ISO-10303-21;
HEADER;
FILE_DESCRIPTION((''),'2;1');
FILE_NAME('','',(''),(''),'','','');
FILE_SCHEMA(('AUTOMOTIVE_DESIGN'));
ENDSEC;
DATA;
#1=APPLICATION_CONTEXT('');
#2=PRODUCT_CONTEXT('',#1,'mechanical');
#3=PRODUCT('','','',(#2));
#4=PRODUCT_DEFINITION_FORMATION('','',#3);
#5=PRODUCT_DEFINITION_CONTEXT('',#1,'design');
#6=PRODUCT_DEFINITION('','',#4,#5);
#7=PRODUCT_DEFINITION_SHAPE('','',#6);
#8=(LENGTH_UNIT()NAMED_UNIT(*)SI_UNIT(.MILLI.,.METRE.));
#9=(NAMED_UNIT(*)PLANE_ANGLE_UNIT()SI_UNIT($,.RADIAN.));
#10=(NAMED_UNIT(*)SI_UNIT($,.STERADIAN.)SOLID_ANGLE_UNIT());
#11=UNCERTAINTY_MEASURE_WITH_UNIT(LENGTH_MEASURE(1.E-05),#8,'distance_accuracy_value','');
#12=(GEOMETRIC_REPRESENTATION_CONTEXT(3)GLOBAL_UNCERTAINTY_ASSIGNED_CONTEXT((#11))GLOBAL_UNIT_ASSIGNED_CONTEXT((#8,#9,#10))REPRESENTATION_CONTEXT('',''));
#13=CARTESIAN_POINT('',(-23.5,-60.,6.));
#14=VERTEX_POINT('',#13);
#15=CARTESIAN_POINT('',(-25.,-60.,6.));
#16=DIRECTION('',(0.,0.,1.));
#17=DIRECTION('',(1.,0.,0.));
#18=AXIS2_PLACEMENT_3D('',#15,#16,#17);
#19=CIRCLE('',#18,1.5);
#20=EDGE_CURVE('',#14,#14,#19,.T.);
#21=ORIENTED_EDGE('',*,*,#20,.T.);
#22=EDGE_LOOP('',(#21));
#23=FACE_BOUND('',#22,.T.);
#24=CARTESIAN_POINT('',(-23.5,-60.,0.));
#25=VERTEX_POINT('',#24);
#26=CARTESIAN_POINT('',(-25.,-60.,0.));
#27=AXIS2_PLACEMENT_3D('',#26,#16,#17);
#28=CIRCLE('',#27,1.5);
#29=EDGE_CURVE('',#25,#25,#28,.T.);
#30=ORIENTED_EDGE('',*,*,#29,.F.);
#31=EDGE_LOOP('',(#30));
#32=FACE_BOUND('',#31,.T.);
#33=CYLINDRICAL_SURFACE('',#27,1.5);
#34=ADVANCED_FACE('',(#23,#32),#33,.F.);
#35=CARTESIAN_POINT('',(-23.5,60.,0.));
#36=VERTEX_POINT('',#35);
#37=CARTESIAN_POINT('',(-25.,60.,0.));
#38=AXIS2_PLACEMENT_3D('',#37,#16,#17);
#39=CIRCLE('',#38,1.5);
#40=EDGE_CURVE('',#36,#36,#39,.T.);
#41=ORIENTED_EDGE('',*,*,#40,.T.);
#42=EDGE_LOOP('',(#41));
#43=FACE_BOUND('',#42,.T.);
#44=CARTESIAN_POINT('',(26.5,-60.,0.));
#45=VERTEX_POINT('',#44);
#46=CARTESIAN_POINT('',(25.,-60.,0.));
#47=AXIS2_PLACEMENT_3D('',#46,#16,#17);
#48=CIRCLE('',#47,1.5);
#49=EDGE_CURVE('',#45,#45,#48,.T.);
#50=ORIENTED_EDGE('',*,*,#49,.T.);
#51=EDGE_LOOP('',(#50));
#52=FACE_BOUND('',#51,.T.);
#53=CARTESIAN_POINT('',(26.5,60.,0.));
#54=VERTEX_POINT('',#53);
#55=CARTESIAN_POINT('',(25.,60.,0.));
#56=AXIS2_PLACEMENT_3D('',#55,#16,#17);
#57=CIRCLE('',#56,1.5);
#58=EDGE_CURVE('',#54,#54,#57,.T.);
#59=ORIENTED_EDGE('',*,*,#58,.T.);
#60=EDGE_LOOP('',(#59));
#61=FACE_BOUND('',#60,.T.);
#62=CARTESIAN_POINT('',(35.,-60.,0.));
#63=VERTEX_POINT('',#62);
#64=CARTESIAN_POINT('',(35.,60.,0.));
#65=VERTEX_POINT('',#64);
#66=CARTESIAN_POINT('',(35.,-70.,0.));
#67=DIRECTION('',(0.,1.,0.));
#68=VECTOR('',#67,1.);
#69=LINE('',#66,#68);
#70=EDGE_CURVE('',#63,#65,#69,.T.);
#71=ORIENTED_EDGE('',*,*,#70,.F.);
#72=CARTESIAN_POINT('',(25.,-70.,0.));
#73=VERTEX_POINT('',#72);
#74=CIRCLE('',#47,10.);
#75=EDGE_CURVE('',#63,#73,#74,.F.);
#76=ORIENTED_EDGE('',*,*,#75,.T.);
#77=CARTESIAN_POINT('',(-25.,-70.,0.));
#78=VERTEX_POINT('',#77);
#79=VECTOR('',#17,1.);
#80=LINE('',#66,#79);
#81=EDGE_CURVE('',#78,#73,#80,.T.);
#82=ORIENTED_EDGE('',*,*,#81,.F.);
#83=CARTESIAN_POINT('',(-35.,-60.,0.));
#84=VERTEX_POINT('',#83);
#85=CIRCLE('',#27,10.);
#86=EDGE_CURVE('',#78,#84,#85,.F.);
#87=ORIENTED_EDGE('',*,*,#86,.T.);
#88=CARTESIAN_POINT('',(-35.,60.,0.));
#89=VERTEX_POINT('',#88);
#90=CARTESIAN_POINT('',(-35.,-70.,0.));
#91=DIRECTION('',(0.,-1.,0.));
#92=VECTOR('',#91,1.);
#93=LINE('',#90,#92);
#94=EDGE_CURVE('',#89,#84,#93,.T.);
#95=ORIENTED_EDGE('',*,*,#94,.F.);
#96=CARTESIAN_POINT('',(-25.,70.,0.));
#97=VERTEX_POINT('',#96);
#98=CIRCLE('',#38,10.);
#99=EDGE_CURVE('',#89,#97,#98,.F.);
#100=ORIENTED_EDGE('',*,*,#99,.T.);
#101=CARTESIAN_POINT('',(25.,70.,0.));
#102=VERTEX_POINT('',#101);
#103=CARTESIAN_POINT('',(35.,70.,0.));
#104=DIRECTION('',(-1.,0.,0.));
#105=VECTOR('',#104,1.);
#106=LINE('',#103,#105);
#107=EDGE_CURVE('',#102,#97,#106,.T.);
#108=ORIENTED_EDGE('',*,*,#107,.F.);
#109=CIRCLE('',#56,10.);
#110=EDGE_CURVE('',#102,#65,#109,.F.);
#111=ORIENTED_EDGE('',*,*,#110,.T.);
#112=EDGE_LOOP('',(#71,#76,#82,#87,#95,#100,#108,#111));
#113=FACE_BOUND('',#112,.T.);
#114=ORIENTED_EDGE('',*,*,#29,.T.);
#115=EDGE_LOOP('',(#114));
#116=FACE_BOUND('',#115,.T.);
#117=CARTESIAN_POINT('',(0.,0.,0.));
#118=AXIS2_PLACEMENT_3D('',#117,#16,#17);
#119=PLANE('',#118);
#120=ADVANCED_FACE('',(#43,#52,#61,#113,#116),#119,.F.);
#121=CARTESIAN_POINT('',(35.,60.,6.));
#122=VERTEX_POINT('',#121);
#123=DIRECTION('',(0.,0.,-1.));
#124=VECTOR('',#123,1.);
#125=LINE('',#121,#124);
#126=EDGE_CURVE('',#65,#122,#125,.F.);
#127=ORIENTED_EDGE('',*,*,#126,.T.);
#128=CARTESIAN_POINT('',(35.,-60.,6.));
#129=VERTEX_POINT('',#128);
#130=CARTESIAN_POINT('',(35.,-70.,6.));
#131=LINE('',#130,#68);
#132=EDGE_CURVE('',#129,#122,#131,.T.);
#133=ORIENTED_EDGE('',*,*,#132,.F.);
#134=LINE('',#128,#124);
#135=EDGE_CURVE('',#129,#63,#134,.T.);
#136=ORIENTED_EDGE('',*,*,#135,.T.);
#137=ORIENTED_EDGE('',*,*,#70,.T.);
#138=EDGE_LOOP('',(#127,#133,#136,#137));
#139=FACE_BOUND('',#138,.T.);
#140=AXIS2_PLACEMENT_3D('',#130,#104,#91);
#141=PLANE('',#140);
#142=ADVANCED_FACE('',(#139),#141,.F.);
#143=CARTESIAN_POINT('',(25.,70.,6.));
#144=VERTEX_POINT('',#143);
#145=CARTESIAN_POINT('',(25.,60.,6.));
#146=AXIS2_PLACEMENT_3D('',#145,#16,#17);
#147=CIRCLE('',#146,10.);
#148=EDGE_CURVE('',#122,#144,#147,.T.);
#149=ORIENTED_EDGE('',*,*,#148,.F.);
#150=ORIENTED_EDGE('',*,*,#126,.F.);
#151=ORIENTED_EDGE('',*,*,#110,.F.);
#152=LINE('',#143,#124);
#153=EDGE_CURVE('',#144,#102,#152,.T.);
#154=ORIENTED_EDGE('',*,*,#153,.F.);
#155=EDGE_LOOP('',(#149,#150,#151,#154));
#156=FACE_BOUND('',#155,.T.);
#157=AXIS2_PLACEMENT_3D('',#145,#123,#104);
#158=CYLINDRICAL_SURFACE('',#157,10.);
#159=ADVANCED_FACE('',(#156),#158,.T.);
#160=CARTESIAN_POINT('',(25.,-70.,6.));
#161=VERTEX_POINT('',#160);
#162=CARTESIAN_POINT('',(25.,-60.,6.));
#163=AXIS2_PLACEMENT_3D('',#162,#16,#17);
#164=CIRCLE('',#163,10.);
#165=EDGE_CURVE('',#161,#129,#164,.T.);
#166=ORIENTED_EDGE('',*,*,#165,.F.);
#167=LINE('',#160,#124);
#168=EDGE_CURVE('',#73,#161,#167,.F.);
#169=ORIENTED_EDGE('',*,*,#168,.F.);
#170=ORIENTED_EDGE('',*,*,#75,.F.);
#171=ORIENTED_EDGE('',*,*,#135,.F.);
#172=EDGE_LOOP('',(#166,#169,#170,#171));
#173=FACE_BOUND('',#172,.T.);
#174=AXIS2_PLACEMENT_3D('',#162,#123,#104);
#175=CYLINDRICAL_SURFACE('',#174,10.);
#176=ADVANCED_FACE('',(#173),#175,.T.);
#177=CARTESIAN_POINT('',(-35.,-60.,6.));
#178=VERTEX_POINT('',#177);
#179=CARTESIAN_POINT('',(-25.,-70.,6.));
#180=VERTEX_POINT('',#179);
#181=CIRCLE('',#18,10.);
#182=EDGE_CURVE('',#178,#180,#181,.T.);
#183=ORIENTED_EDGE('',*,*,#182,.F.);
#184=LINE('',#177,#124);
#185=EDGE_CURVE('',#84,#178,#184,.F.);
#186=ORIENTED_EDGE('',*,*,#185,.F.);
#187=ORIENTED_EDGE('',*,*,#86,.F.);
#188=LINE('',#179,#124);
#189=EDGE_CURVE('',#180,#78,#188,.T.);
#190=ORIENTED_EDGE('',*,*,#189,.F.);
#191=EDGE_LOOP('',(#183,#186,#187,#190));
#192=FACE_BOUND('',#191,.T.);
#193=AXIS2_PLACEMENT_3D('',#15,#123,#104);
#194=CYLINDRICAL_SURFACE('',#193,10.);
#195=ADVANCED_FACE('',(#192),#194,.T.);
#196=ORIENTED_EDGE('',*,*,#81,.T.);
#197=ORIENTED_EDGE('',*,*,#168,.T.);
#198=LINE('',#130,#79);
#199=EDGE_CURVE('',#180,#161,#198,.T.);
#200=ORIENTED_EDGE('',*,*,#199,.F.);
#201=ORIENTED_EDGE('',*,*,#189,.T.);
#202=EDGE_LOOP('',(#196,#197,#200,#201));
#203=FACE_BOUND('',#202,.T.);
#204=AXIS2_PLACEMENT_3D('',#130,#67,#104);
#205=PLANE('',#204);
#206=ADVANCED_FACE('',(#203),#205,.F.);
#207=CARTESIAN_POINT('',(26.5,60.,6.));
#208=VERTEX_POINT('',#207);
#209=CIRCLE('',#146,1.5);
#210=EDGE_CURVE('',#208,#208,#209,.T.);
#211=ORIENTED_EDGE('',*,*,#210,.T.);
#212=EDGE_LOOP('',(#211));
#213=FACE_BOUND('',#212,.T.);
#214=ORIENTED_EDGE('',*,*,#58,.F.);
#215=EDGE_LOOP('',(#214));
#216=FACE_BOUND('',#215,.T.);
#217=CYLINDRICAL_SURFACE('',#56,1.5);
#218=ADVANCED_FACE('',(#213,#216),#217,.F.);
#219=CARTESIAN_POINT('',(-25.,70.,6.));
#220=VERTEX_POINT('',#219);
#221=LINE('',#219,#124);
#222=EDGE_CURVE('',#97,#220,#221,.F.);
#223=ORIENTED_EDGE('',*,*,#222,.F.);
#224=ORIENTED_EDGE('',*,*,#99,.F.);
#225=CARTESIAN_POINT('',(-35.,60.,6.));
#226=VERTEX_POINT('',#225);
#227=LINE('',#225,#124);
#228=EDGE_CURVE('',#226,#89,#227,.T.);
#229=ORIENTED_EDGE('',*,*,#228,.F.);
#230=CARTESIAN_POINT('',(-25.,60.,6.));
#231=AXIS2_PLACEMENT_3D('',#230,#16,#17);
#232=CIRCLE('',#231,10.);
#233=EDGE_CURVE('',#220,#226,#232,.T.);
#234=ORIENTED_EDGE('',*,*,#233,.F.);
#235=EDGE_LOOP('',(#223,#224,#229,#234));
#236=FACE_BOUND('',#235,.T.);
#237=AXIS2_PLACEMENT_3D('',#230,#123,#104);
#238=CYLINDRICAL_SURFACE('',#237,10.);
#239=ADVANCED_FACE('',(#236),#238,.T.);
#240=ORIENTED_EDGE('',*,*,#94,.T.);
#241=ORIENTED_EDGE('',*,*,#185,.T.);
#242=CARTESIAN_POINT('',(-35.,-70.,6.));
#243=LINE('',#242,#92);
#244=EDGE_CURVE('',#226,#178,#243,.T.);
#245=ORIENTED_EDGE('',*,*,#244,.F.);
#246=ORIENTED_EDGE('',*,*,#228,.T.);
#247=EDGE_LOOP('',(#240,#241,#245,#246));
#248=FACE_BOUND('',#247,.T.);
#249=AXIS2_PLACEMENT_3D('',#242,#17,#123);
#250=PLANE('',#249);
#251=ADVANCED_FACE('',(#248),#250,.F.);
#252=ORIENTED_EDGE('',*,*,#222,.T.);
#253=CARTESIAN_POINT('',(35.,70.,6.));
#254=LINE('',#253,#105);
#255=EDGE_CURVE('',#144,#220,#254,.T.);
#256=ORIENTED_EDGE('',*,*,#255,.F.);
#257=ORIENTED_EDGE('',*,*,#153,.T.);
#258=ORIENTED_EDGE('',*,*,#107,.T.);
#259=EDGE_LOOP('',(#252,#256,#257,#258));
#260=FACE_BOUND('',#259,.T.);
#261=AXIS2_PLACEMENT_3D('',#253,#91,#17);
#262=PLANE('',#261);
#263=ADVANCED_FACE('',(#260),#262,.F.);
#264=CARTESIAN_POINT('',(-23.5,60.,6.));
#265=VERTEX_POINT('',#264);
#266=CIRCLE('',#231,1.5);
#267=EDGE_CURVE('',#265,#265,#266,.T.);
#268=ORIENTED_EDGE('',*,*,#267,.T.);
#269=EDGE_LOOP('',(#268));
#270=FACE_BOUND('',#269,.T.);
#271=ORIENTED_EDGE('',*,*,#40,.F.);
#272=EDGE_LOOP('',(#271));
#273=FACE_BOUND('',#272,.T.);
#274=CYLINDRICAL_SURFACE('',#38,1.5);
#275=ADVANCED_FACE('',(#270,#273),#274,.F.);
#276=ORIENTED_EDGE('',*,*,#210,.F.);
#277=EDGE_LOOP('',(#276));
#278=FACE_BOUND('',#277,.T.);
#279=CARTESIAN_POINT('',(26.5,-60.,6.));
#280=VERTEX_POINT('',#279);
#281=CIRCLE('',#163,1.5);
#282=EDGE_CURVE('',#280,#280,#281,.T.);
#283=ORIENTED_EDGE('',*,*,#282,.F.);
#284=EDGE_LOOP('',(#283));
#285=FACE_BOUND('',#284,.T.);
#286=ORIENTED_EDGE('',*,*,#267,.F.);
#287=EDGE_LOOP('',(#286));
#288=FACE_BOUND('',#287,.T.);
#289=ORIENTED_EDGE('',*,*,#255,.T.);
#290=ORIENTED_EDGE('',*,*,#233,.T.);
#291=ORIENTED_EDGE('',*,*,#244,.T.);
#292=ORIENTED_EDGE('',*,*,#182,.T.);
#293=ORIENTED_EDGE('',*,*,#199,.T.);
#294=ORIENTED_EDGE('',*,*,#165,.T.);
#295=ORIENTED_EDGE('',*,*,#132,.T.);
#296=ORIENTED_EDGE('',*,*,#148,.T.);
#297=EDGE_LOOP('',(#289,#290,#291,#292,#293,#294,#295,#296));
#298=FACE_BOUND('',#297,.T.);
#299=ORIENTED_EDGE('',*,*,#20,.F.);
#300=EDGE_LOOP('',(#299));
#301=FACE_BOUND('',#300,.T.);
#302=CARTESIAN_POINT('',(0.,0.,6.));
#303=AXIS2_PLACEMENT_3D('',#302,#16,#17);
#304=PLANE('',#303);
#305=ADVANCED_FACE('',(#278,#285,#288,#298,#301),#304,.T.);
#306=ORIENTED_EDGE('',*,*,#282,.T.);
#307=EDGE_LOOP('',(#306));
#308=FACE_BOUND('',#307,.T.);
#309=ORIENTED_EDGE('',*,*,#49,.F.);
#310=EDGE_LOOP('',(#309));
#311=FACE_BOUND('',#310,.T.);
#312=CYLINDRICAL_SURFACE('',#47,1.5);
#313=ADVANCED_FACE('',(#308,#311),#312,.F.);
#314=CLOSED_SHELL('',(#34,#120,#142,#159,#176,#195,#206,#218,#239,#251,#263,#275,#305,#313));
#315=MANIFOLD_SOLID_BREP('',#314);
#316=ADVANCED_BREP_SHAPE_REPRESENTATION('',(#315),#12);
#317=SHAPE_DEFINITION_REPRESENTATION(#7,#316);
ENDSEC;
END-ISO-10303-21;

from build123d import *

# Parameters (mm, degrees)
SKETCH1_W           = 70
SKETCH1_H           = 140
BOSS_EXTRUDE1_DEPTH = 6
FILLET1_R           = 10
SKETCH2_R           = 1.5
CUT_EXTRUDE1_DEPTH  = 6


with BuildPart() as part:
    # Sketch1 → Boss-Extrude1 (new body)
    with BuildSketch(Plane.XY):
        Rectangle(SKETCH1_W, SKETCH1_H)
    extrude(amount=BOSS_EXTRUDE1_DEPTH)

    # Fillet1
    fillet1_edges = [part.edges().sort_by_distance(p)[0] for p in [
        (-35, 70, 3),
        (35, 70, 3),
        (35, -70, 3),
        (-35, -70, 3),
    ]]
    fillet(fillet1_edges, radius=FILLET1_R)

    # Sketch2 → Cut-Extrude1 (cut)
    with BuildSketch(Plane.XY.offset(6)):
        with Locations((-25, 60)):
            Circle(SKETCH2_R)
        with Locations((25, 60)):
            Circle(SKETCH2_R)
        with Locations((25, -60)):
            Circle(SKETCH2_R)
        with Locations((-25, -60)):
            Circle(SKETCH2_R)
    extrude(amount=-CUT_EXTRUDE1_DEPTH, mode=Mode.SUBTRACT)


solid = part.part
